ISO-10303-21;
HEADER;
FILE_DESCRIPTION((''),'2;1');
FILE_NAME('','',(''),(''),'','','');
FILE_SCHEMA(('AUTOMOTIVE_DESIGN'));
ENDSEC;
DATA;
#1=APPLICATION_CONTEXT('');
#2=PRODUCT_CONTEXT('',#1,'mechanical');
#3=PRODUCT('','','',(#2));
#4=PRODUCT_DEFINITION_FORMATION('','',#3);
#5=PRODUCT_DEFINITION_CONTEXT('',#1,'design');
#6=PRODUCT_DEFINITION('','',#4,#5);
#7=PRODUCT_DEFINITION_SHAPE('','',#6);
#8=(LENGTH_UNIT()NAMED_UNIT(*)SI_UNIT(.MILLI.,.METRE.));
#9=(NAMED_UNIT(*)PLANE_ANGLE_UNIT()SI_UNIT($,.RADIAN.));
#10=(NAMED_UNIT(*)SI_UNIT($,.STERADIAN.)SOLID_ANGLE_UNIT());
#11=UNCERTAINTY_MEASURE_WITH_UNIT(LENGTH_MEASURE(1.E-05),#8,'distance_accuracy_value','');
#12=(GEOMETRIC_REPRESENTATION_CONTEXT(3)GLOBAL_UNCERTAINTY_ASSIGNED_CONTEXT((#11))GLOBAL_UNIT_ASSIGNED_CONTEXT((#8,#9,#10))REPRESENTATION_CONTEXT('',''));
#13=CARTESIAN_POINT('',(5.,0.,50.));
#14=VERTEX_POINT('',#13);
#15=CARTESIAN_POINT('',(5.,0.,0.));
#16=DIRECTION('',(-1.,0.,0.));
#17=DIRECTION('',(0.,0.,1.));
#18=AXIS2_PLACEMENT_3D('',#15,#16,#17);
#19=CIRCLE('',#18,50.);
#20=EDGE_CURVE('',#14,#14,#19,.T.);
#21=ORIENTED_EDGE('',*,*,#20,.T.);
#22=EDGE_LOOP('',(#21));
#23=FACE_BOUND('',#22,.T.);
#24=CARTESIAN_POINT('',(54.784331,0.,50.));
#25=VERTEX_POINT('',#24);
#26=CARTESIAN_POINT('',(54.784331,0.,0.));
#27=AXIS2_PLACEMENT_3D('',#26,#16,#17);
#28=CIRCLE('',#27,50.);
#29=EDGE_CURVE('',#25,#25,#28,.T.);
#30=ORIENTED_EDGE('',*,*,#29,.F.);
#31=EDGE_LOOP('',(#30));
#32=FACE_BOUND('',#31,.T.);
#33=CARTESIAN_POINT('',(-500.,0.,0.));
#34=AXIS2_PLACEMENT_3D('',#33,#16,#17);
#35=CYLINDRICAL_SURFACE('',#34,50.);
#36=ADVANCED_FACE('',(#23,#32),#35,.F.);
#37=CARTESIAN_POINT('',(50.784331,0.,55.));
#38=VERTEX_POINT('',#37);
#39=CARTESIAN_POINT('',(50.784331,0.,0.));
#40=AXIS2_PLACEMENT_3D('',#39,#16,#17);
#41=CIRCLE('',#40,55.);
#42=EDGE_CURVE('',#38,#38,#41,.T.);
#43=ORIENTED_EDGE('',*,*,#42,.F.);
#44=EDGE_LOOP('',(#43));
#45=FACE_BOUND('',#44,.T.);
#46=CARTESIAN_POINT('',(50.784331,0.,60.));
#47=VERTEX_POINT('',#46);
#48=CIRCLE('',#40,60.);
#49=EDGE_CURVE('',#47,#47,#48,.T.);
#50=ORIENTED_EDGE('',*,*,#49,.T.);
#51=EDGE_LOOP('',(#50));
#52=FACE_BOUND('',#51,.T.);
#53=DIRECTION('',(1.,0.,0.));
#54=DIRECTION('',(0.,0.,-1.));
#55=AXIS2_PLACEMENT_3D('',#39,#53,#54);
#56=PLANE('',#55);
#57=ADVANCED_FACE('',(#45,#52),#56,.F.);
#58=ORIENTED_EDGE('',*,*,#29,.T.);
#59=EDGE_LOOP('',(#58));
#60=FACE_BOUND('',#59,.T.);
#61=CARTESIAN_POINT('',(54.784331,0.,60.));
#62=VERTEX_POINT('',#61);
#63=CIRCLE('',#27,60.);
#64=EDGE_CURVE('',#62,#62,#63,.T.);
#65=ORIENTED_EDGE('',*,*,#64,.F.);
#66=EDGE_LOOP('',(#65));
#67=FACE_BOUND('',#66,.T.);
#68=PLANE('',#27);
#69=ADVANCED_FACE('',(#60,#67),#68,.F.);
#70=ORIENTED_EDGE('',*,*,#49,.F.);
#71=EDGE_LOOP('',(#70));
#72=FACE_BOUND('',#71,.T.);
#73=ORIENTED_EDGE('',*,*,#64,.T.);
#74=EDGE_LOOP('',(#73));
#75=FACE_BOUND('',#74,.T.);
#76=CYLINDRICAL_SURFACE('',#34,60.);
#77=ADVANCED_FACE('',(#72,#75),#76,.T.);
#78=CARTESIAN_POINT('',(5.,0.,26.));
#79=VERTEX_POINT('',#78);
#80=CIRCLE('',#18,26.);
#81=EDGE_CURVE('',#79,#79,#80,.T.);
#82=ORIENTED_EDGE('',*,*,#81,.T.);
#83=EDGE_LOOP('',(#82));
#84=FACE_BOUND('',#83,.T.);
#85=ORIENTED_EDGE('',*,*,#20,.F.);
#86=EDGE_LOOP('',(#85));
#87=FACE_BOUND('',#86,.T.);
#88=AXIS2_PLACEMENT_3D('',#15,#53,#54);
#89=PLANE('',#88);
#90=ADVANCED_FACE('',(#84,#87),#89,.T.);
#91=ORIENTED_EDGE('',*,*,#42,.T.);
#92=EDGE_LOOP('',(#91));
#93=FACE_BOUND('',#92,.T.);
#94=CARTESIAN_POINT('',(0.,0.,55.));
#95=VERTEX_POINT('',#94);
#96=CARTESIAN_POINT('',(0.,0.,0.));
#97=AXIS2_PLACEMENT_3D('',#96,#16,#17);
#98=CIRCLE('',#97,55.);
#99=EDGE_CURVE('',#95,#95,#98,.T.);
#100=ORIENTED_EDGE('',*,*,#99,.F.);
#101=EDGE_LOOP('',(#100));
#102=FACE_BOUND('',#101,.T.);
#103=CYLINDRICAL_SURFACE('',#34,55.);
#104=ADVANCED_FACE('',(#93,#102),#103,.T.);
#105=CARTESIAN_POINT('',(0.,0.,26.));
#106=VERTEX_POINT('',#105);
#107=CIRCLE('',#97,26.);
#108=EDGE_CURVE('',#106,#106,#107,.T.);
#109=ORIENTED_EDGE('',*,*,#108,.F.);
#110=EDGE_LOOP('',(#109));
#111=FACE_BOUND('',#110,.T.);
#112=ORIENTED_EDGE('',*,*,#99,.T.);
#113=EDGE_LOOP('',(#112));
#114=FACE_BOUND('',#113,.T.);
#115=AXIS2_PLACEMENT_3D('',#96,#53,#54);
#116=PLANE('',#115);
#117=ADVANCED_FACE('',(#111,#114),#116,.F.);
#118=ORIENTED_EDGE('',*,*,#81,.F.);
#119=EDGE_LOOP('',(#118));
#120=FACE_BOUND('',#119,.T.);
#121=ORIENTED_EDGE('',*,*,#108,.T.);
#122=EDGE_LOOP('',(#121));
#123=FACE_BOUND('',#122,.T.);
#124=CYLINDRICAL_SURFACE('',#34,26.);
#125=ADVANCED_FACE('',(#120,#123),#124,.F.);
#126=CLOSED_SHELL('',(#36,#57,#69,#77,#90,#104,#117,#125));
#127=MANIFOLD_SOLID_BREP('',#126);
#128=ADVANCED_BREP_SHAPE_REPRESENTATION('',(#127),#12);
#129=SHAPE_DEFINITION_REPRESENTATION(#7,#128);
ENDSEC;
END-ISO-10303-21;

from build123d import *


with BuildPart() as part:
    # Sketch2 → Revolve2 (revolve)
    with BuildSketch(Plane.XY, mode=Mode.PRIVATE) as revolve2_sk:
        Polygon((54.784331473, 60), (50.784331473, 60), (50.784331473, 55), (0, 55), (0, 26), (5, 26), (5, 50), (54.784331473, 50), align=None)
    revolve(revolve2_sk.sketch.rotate(Axis((-500, 0, 0), (1, 0, 0)), 90), axis=Axis((-500, 0, 0), (1, 0, 0)))


solid = part.part
